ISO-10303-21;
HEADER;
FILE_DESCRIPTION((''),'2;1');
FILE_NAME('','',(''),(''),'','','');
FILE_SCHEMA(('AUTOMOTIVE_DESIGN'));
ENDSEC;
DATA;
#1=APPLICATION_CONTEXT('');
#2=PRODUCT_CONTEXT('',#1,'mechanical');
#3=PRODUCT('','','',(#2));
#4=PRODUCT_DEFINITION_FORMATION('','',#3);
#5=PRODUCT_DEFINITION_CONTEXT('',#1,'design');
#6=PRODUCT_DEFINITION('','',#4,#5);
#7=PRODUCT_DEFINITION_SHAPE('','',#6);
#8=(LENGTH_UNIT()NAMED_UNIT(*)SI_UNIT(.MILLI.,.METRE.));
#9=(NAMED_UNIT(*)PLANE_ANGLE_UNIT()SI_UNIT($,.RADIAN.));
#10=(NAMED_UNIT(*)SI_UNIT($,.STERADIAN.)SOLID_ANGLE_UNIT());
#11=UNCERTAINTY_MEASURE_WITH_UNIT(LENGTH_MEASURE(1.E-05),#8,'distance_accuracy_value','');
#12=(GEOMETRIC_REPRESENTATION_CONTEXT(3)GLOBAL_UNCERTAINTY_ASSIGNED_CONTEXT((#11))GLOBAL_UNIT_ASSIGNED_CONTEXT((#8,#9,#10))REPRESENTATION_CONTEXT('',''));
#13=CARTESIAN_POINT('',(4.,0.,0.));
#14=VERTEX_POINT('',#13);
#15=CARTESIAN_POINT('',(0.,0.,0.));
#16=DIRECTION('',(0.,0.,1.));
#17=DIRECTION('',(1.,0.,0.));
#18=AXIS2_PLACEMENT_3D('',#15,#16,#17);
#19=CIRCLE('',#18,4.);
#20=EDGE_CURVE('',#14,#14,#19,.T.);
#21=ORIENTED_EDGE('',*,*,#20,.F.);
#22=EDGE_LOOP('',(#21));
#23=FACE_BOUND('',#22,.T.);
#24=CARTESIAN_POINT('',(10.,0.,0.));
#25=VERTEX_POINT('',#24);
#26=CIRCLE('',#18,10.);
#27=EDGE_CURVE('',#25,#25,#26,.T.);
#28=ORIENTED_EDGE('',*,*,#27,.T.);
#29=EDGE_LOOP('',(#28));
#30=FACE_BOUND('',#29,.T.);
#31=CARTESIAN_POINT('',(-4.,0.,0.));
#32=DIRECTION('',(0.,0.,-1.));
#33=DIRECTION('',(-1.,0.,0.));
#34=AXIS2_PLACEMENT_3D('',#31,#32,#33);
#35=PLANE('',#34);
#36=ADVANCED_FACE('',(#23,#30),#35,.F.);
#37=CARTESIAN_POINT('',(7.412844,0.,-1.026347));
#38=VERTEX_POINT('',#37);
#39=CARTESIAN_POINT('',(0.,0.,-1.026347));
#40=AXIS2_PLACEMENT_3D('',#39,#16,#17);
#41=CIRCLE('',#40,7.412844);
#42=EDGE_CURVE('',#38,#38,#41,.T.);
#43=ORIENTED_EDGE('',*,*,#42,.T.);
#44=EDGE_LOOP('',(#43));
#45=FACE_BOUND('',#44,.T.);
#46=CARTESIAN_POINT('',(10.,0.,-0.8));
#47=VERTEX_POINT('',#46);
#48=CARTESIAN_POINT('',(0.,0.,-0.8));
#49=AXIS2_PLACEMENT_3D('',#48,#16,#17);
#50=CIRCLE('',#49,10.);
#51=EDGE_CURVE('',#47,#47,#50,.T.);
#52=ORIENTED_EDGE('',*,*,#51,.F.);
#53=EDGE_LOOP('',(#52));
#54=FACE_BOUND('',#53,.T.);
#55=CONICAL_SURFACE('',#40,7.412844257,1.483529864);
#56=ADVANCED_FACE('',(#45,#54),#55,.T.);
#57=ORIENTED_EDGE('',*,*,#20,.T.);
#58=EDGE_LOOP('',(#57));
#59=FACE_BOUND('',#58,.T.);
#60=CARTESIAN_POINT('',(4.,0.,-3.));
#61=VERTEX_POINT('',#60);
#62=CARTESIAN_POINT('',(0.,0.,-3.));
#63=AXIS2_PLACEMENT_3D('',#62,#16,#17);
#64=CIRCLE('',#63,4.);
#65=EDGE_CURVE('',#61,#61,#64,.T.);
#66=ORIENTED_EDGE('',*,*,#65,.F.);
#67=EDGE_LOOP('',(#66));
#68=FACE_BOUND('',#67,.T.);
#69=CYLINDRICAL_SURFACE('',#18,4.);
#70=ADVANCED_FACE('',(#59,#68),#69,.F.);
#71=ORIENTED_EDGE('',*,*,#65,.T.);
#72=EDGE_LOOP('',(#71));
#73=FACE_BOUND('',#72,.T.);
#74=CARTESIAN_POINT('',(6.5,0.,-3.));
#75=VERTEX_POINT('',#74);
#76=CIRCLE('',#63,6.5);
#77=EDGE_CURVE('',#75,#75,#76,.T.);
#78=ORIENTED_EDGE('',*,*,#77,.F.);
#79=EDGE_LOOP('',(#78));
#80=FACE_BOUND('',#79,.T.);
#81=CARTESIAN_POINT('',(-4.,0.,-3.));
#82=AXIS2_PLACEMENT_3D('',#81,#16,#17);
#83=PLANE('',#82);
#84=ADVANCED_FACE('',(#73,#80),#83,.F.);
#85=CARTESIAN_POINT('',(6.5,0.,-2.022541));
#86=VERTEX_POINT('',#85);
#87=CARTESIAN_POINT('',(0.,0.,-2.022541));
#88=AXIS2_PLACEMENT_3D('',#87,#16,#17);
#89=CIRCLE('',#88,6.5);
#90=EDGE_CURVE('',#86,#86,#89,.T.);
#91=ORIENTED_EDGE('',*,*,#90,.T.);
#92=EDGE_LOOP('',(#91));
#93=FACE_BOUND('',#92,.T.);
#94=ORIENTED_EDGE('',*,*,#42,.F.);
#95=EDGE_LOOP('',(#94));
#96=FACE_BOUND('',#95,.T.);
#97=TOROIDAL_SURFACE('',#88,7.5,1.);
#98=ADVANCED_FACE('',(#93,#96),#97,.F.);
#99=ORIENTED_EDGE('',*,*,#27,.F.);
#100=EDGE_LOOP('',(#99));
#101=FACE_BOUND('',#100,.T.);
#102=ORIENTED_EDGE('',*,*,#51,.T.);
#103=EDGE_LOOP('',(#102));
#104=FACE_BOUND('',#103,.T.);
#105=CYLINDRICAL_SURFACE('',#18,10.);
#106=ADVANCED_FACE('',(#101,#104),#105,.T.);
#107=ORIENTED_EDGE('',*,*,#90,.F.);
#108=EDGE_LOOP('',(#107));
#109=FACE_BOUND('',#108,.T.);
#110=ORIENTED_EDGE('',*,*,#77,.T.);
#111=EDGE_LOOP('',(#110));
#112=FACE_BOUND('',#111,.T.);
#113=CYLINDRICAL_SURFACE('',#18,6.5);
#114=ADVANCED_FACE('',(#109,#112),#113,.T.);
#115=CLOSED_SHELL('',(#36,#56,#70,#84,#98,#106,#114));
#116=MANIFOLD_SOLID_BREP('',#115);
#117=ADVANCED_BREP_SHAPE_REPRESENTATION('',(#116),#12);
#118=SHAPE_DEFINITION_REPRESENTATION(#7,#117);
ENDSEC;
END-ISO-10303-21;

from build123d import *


with BuildPart() as part:
    # Sketch1 → Revolve1 (revolve)
    with BuildSketch(Plane(origin=(0, 0, 0), x_dir=(1, 0, 0), z_dir=(0, 1, 0)), mode=Mode.PRIVATE) as revolve1_sk:
        with BuildLine():
            Line((-4, 3), (-4, 0))
            Line((-4, 0), (-10, 0))
            Line((-10, 0), (-10, 0.8))
            Line((-10, 0.8), (-7.412844257, 1.026346798))
            ThreePointArc((-7.412844257, 1.026346798), (-6.762722663, 1.346951289), (-6.5, 2.022541496))
            Line((-6.5, 2.022541496), (-6.5, 3))
            Line((-6.5, 3), (-4, 3))
        make_face()
    revolve(revolve1_sk.sketch.rotate(Axis((0, 0, 0), (0, 0, -1)), 180), axis=Axis((0, 0, 0), (0, 0, -1)))


solid = part.part
